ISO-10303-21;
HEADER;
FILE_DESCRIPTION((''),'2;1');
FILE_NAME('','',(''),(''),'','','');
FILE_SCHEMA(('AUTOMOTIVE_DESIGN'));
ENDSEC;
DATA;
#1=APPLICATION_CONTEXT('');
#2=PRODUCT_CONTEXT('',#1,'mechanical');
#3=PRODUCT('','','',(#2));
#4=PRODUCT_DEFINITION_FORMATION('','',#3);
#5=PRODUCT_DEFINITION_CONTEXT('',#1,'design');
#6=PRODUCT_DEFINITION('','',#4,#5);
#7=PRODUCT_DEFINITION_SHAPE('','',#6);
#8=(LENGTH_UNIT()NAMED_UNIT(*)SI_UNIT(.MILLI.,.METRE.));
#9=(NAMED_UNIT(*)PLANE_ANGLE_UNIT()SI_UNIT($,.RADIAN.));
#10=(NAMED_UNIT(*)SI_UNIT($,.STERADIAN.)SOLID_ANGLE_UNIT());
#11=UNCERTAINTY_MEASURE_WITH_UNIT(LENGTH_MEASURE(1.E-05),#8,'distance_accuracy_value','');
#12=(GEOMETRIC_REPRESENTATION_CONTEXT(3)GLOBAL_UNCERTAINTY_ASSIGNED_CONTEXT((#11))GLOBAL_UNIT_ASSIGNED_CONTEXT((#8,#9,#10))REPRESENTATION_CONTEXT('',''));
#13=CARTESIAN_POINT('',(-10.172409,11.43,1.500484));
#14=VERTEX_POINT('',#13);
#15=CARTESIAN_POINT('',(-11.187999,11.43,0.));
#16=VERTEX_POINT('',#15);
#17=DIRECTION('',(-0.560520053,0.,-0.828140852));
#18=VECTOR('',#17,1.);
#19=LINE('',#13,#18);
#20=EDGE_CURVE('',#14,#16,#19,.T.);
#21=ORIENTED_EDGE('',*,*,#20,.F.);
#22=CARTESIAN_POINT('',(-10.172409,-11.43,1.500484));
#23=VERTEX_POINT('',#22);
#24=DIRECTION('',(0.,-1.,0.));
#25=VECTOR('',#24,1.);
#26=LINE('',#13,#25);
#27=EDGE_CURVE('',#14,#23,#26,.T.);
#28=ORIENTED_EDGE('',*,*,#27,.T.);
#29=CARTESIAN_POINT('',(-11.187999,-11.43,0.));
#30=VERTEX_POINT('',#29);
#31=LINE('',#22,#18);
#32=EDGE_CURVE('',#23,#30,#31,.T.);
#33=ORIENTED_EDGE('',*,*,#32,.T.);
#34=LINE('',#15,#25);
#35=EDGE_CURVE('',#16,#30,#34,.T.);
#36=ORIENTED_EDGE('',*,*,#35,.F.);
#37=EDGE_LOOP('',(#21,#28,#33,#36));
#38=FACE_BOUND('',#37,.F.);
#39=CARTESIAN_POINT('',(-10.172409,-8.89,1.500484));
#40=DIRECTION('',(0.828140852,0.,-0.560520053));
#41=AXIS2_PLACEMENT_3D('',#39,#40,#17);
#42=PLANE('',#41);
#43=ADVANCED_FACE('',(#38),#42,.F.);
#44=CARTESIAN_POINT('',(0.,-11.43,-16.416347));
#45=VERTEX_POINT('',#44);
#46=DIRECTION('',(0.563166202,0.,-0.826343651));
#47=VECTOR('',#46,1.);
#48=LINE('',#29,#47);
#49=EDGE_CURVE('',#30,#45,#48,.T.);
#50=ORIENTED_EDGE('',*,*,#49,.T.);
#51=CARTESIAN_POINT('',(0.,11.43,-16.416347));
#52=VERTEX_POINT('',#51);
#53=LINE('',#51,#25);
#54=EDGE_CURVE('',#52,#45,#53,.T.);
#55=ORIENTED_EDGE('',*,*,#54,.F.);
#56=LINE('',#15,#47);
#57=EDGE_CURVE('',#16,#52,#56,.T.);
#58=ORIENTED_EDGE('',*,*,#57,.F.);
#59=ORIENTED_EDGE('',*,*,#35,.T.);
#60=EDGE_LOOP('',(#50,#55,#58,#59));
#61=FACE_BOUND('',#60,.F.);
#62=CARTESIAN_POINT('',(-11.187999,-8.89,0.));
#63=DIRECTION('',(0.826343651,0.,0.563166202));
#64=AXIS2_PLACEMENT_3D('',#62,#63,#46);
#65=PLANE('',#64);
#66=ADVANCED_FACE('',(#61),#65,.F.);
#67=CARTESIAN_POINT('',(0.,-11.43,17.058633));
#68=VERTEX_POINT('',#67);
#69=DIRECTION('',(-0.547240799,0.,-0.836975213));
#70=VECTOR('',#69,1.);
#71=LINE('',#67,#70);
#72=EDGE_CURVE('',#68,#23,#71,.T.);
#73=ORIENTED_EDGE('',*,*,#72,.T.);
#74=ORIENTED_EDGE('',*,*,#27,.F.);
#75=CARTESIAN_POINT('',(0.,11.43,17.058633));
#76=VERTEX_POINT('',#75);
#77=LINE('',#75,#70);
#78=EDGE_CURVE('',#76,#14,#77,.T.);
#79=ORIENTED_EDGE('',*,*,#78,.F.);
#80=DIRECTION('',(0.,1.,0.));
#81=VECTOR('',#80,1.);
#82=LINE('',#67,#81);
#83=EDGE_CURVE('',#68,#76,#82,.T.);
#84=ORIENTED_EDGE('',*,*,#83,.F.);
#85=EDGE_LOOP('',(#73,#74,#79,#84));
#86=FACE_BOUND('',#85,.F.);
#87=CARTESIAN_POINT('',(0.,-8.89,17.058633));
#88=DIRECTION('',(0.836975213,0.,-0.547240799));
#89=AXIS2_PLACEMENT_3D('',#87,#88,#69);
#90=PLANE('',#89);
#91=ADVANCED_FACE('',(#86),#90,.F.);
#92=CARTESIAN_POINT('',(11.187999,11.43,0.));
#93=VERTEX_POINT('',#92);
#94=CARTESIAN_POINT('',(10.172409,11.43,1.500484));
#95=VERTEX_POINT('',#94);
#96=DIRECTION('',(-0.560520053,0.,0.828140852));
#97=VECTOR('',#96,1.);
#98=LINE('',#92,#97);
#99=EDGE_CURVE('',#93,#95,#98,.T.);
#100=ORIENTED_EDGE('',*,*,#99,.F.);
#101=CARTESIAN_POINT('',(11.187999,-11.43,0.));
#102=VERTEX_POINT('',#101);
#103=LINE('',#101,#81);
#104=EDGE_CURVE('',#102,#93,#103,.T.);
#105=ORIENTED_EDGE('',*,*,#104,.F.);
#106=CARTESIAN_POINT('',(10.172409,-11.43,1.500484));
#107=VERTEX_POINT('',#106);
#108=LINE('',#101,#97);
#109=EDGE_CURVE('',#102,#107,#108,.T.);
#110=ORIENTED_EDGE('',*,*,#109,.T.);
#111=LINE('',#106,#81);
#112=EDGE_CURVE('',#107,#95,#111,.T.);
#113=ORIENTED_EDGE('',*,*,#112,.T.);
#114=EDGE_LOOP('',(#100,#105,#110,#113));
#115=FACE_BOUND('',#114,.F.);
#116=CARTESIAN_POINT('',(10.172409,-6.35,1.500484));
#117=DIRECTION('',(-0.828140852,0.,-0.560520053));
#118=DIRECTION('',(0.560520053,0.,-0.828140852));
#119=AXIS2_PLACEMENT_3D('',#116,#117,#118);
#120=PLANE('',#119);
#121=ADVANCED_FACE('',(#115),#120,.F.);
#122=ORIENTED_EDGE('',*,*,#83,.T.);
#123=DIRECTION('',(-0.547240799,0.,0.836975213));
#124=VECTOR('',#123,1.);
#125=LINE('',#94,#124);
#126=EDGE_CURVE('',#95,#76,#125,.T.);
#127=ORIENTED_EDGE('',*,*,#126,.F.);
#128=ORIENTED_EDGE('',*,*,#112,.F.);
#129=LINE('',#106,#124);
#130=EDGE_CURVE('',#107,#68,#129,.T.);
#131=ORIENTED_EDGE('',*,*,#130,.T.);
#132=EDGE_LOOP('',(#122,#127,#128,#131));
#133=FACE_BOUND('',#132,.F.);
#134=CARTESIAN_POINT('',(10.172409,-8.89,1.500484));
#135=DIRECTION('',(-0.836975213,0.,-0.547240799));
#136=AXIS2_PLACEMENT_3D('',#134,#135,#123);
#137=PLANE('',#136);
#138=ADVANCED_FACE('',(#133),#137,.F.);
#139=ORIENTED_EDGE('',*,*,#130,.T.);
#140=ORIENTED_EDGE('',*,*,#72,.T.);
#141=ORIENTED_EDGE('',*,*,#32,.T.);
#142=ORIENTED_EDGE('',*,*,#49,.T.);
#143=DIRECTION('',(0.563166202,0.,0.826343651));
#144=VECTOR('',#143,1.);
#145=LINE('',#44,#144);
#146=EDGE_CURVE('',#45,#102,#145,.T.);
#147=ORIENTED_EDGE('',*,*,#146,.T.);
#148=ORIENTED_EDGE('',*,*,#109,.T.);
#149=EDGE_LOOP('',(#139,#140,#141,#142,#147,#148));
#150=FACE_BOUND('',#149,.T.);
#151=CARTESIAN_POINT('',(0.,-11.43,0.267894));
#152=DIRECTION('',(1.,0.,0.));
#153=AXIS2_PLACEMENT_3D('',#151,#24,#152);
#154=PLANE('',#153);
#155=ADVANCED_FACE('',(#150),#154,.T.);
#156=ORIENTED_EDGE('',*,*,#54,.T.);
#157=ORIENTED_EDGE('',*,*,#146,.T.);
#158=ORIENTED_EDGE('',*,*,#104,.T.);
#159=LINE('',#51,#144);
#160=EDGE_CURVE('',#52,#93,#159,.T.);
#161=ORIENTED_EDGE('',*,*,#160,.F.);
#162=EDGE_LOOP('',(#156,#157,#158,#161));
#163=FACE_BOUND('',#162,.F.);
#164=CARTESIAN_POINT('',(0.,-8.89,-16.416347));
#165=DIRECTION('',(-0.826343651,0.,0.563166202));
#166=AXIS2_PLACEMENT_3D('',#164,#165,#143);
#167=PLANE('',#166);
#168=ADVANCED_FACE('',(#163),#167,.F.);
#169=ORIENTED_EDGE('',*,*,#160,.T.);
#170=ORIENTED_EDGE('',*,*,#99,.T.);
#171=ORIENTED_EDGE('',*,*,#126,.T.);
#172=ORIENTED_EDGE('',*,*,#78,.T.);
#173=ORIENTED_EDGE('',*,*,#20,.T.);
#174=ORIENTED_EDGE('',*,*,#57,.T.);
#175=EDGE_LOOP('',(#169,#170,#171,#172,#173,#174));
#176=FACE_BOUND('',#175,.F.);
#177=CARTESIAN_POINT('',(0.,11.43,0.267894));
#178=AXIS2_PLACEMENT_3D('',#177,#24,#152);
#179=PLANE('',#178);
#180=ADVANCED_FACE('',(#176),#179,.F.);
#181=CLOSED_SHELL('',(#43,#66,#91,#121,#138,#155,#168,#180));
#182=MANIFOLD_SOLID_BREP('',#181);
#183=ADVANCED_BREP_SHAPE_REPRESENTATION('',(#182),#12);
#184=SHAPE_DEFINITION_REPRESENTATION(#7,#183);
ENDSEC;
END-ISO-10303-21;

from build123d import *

# Parameters (mm, degrees)
F1_DEPTH  = 6.35
F2_DEPTH  = 6.35
F4_DEPTH  = 2.54
F5_DEPTH  = 17.78
F8_DEPTH  = 2.54
F9_DEPTH  = 22.86
F10_DEPTH = 25.4
F11_DEPTH = 25.4


with BuildPart() as f1:
    # F0 (on Front) → F1 (new body)
    with BuildSketch(Plane.XZ):
        with BuildLine():
            add(Edge.make_bspline(
                [(-6.31646486, -27.194801718), (-9.1682856642, -24.4888721836), (-15.01463102, -18.9416096965), (-26.1820827955, -11.5743265752), (-33.6944043342, -9.1980832111), (-37.3292528093, -8.048334159)],
                knots=[0, 0, 0, 0, 0.3295571506, 0.6756051833, 1, 1, 1, 1], degree=3))
            Line((-6.31646486, -27.194801718), (0, -29.8242773861))
            Line((0, -29.8242773861), (6.31646486, -27.194801718))
            add(Edge.make_bspline(
                [(6.31646486, -27.194801718), (9.1682856642, -24.4888721836), (15.01463102, -18.9416096965), (26.1820827955, -11.5743265752), (33.6944043342, -9.1980832111), (37.3292528093, -8.048334159)],
                knots=[0, 0, 0, 0, 0.3295571506, 0.6756051833, 1, 1, 1, 1], degree=3))
            Line((37.3292528093, -8.048334159), (37.3292528093, -3.7900002208))
            add(Edge.make_bspline(
                [(37.3292528093, -3.7900002208), (38.0491431813, -3.543982173), (39.5145632284, -3.0431840055), (42.5984180868, -2.1192699685), (42.5169275679, -2.0102551614), (42.508341372, -1.9987688866)],
                knots=[0, 0, 0, 0, 0.4634814578, 0.94347007, 1, 1, 1, 1], degree=3))
            add(Edge.make_bspline(
                [(42.508341372, -1.9987688866), (40.4226176054, -0.0574224426), (36.0974058378, 3.9683908595), (33.1087810716, 9.8160060059), (31.561344862, 12.8437569365)],
                knots=[0, 0, 0, 0, 0.4822246583, 1, 1, 1, 1], degree=3))
            add(Edge.make_bspline(
                [(31.561344862, 12.8437569365), (30.594199091, 12.4764083462), (28.7192506637, 11.7642513143), (27.1772169029, 10.7890902407), (26.4306031168, 10.3169418871)],
                knots=[0, 0, 0, 0, 0.5158252658, 1, 1, 1, 1], degree=3))
            Line((26.4306031168, 10.3169418871), (23.9546149969, 12.8437569365))
            add(Edge.make_bspline(
                [(23.9546149969, 12.8437569365), (21.8130862803, 11.5707804719), (17.2050472404, 8.8316506157), (12.6243071994, 4.0564626093), (10.1724090055, 1.5004837187)],
                knots=[0, 0, 0, 0, 0.4647375376, 1, 1, 1, 1], degree=3))
            Line((10.1724090055, 1.5004837187), (0, 17.0586332679))
            Line((0, 17.0586332679), (-10.1724090055, 1.5004837187))
            add(Edge.make_bspline(
                [(-23.9546149969, 12.8437569365), (-21.8130862803, 11.5707804719), (-17.2050472404, 8.8316506157), (-12.6243071994, 4.0564626093), (-10.1724090055, 1.5004837187)],
                knots=[0, 0, 0, 0, 0.4647375376, 1, 1, 1, 1], degree=3))
            Line((-23.9546149969, 12.8437569365), (-26.4306031168, 10.3169418871))
            add(Edge.make_bspline(
                [(-31.561344862, 12.8437569365), (-30.594199091, 12.4764083462), (-28.7192506637, 11.7642513143), (-27.1772169029, 10.7890902407), (-26.4306031168, 10.3169418871)],
                knots=[0, 0, 0, 0, 0.5158252658, 1, 1, 1, 1], degree=3))
            add(Edge.make_bspline(
                [(-42.508341372, -1.9987688866), (-40.4226176054, -0.0574224426), (-36.0974058378, 3.9683908595), (-33.1087810716, 9.8160060059), (-31.561344862, 12.8437569365)],
                knots=[0, 0, 0, 0, 0.4822246583, 1, 1, 1, 1], degree=3))
            add(Edge.make_bspline(
                [(-37.3292528093, -3.7900002208), (-38.0491431813, -3.543982173), (-39.5145632284, -3.0431840055), (-42.5984180868, -2.1192699685), (-42.5169275679, -2.0102551614), (-42.508341372, -1.9987688866)],
                knots=[0, 0, 0, 0, 0.4634814578, 0.94347007, 1, 1, 1, 1], degree=3))
            Line((-37.3292528093, -3.7900002208), (-37.3292528093, -8.048334159))
        make_face()
    extrude(amount=F1_DEPTH)


with BuildPart() as f1b:
    # F0 (on Front) → F1, piece 2 (new body)
    with BuildSketch(Plane.XZ):
        with BuildLine():
            add(Edge.make_bspline(
                [(-18.6576042324, -145.0307071209), (-16.4470923737, -143.6168373627), (-11.8703765425, -140.6895153127), (-8.9461028405, -135.445167753), (-7.4342265725, -132.7337920666)],
                knots=[0, 0, 0, 0, 0.4829908476, 1, 1, 1, 1], degree=3))
            Line((-18.6576042324, -145.0307071209), (-18.2394590229, -148.4000682831))
            Line((-18.2394590229, -148.4000682831), (-10.7216006145, -152.8928130865))
            Line((-10.7216006145, -152.8928130865), (-8.8469898328, -151.1953920126))
            add(Edge.make_bspline(
                [(0, -156.4966738224), (-1.9608597417, -156.2050199351), (-5.7919516765, -155.6351918991), (-7.8448312846, -152.6518004701), (-8.8469898328, -151.1953920126)],
                knots=[0, 0, 0, 0, 0.5118279005, 1, 1, 1, 1], degree=3))
            add(Edge.make_bspline(
                [(0, -156.4966738224), (1.9608597417, -156.2050199351), (5.7919516765, -155.6351918991), (7.8448312846, -152.6518004701), (8.8469898328, -151.1953920126)],
                knots=[0, 0, 0, 0, 0.5118279005, 1, 1, 1, 1], degree=3))
            Line((8.8469898328, -151.1953920126), (10.7216006145, -152.8928130865))
            Line((10.7216006145, -152.8928130865), (18.2394590229, -148.4000682831))
            Line((18.2394590229, -148.4000682831), (18.6576042324, -145.0307071209))
            add(Edge.make_bspline(
                [(18.6576042324, -145.0307071209), (16.4470923737, -143.6168373627), (11.8703765425, -140.6895153127), (8.9461028405, -135.445167753), (7.4342265725, -132.7337920666)],
                knots=[0, 0, 0, 0, 0.4829908476, 1, 1, 1, 1], degree=3))
            Line((7.4342265725, -132.7337920666), (4.541859962, -130.4135769606))
            Line((4.541859962, -130.4135769606), (0, -130.4135769606))
            Line((0, -130.4135769606), (-4.541859962, -130.4135769606))
            Line((-4.541859962, -130.4135769606), (-7.4342265725, -132.7337920666))
        make_face()
    extrude(amount=F1_DEPTH)


with BuildPart() as f2:
    # F2 (new): a face of the model
    f2_faces = [f1.part.faces().sort_by_distance(p)[0] for p in [
        (0, 0, -5.0344679509),
    ]]
    extrude(f2_faces, amount=F2_DEPTH)


with BuildPart() as f2b:
    # F2#2 (new): a face of the model
    f2_2_faces = [f1b.part.faces().sort_by_distance(p)[0] for p in [
        (0, 0, -143.933409026),
    ]]
    extrude(f2_2_faces, amount=F2_DEPTH)


with BuildPart() as f1_1:
    add(f1.part)

    # F3 (on face) → F4 (join)
    with BuildSketch(Plane.XZ.offset(6.35)):
        with BuildLine():
            add(Edge.make_bspline(
                [(-26.4306031168, 10.3169418871), (-24.53023826, 9.3652181787), (-20.7503784131, 7.4722226216), (-15.975023215, 4.0917823159), (-12.273195981, 0.9667185074), (-11.187998578, 0)],
                knots=[0, 0, 0, 0, 0.2852309457, 0.5673294761, 0.8466572413, 0.8466572413, 0.8466572413, 0.8466572413], degree=3))
            add(Edge.make_bspline(
                [(-31.561344862, 12.8437569365), (-30.594199091, 12.4764083462), (-28.7192506637, 11.7642513143), (-27.1772169029, 10.7890902407), (-26.4306031168, 10.3169418871)],
                knots=[0, 0, 0, 0, 0.5158252658, 1, 1, 1, 1], degree=3))
            add(Edge.make_bspline(
                [(-42.508341372, -1.9987688866), (-40.4226176054, -0.0574224426), (-36.0974058378, 3.9683908595), (-33.1087810716, 9.8160060059), (-31.561344862, 12.8437569365)],
                knots=[0, 0, 0, 0, 0.4822246583, 1, 1, 1, 1], degree=3))
            add(Edge.make_bspline(
                [(-37.3292528093, -3.7900002208), (-38.0491431813, -3.543982173), (-39.5145632284, -3.0431840055), (-42.5984180868, -2.1192699685), (-42.5169275679, -2.0102551614), (-42.508341372, -1.9987688866)],
                knots=[0, 0, 0, 0, 0.4634814578, 0.94347007, 1, 1, 1, 1], degree=3))
            Line((-37.3292528093, -3.7900002208), (-37.3292528093, -8.048334159))
            add(Edge.make_bspline(
                [(-6.31646486, -27.194801718), (-9.1682856642, -24.4888721836), (-15.01463102, -18.9416096965), (-26.1820827955, -11.5743265752), (-33.6944043342, -9.1980832111), (-37.3292528093, -8.048334159)],
                knots=[0, 0, 0, 0, 0.3295571506, 0.6756051833, 1, 1, 1, 1], degree=3))
            Line((-6.31646486, -27.194801718), (0, -29.8242773861))
            Line((0, -29.8242773861), (6.31646486, -27.194801718))
            add(Edge.make_bspline(
                [(6.31646486, -27.194801718), (9.1682856642, -24.4888721836), (15.01463102, -18.9416096965), (26.1820827955, -11.5743265752), (33.6944043342, -9.1980832111), (37.3292528093, -8.048334159)],
                knots=[0, 0, 0, 0, 0.3295571506, 0.6756051833, 1, 1, 1, 1], degree=3))
            Line((37.3292528093, -8.048334159), (37.3292528093, -3.7900002208))
            add(Edge.make_bspline(
                [(37.3292528093, -3.7900002208), (38.0491431813, -3.543982173), (39.5145632284, -3.0431840055), (42.5984180868, -2.1192699685), (42.5169275679, -2.0102551614), (42.508341372, -1.9987688866)],
                knots=[0, 0, 0, 0, 0.4634814578, 0.94347007, 1, 1, 1, 1], degree=3))
            add(Edge.make_bspline(
                [(42.508341372, -1.9987688866), (40.4226176054, -0.0574224426), (36.0974058378, 3.9683908595), (33.1087810716, 9.8160060059), (31.561344862, 12.8437569365)],
                knots=[0, 0, 0, 0, 0.4822246583, 1, 1, 1, 1], degree=3))
            add(Edge.make_bspline(
                [(31.561344862, 12.8437569365), (30.594199091, 12.4764083462), (28.7192506637, 11.7642513143), (27.1772169029, 10.7890902407), (26.4306031168, 10.3169418871)],
                knots=[0, 0, 0, 0, 0.5158252658, 1, 1, 1, 1], degree=3))
            add(Edge.make_bspline(
                [(26.4306031168, 10.3169418871), (24.53023826, 9.3652181787), (20.7503784131, 7.4722226216), (15.975023215, 4.0917823159), (12.273195981, 0.9667185074), (11.187998578, 0)],
                knots=[0, 0, 0, 0, 0.2852309457, 0.5673294761, 0.8466572413, 0.8466572413, 0.8466572413, 0.8466572413], degree=3))
            add(Edge.make_bspline(
                [(11.187998578, 0), (10.5922570002, -0.5307001355), (10.2245255149, -0.8841646749), (9.8567940295, -1.2376292143)],
                knots=[0.8466572413, 0.8466572413, 0.8466572413, 0.8466572413, 1, 1, 1, 1], degree=3))
            Line((9.8567940295, -1.2376292143), (0, -16.4558514953))
            Line((0, -16.4558514953), (-9.8567940295, -1.2376292143))
            add(Edge.make_bspline(
                [(-11.187998578, 0), (-10.5922570002, -0.5307001355), (-10.2245255149, -0.8841646749), (-9.8567940295, -1.2376292143)],
                knots=[0.8466572413, 0.8466572413, 0.8466572413, 0.8466572413, 1, 1, 1, 1], degree=3))
        make_face()
        with BuildLine():
            Line((-10.1724090055, 1.5004837187), (-11.187998578, 0))
            add(Edge.make_bspline(
                [(-11.187998578, 0), (-10.5922570002, -0.5307001355), (-10.2245255149, -0.8841646749), (-9.8567940295, -1.2376292143)],
                knots=[0.8466572413, 0.8466572413, 0.8466572413, 0.8466572413, 1, 1, 1, 1], degree=3))
            Line((-9.8567940295, -1.2376292143), (0, -16.4558514953))
            Line((0, -16.4558514953), (9.8567940295, -1.2376292143))
            add(Edge.make_bspline(
                [(11.187998578, 0), (10.5922570002, -0.5307001355), (10.2245255149, -0.8841646749), (9.8567940295, -1.2376292143)],
                knots=[0.8466572413, 0.8466572413, 0.8466572413, 0.8466572413, 1, 1, 1, 1], degree=3))
            Line((11.187998578, 0), (10.1724090055, 1.5004837187))
            Line((10.1724090055, 1.5004837187), (0, 17.0586332679))
            Line((0, 17.0586332679), (-10.1724090055, 1.5004837187))
        make_face()
    extrude(amount=F4_DEPTH)


with BuildPart() as f5:
    # F5 (new): a face of the model
    f5_faces = [f1_1.part.faces().sort_by_distance(p)[0] for p in [
        (0, -8.89, -5.6400298016),
    ]]
    extrude(f5_faces, amount=-F5_DEPTH)


with BuildPart() as f1_2:
    add(f1_1.part)

    add(f5.part)  # F8 merges F5
    # F6 (on face) → F8 (join)
    with BuildSketch(Plane.XZ.offset(8.89)):
        Polygon((-10.1724090055, 1.5004837187), (-11.187998578, 0), (0, -16.4163466543), (11.187998578, 0), (10.1724090055, 1.5004837187), (0, 17.0586332679), align=None)
    extrude(amount=F8_DEPTH)

    # F9 (add): a face of the model
    f9_faces = [f1_2.faces().sort_by_distance(p)[0] for p in [
        (0, -11.43, 0.2055173709),
    ]]

    add(f2.part)  # F9 merges F2
    extrude(f9_faces, amount=-F9_DEPTH)

    # F7 (on face) + F4_face1 (on face) → F10 (cut)
    with BuildSketch(Plane.XZ.offset(8.89)):
        with BuildLine():
            Line((11.187998578, 0), (0, -16.4163466543))
            Line((0, -16.4163466543), (-11.187998578, 0))
            add(Edge.make_bspline(
                [(-26.4306031168, 10.3169418871), (-24.53023826, 9.3652181787), (-20.7503784131, 7.4722226216), (-15.975023215, 4.0917823159), (-12.273195981, 0.9667185074), (-11.187998578, 0)],
                knots=[0, 0, 0, 0, 0.2852309457, 0.5673294761, 0.8466572413, 0.8466572413, 0.8466572413, 0.8466572413], degree=3))
            add(Edge.make_bspline(
                [(-31.561344862, 12.8437569365), (-30.594199091, 12.4764083462), (-28.7192506637, 11.7642513143), (-27.1772169029, 10.7890902407), (-26.4306031168, 10.3169418871)],
                knots=[0, 0, 0, 0, 0.5158252658, 1, 1, 1, 1], degree=3))
            add(Edge.make_bspline(
                [(-42.508341372, -1.9987688866), (-40.4226176054, -0.0574224426), (-36.0974058378, 3.9683908595), (-33.1087810716, 9.8160060059), (-31.561344862, 12.8437569365)],
                knots=[0, 0, 0, 0, 0.4822246583, 1, 1, 1, 1], degree=3))
            add(Edge.make_bspline(
                [(-37.3292528093, -3.7900002208), (-38.0491431813, -3.543982173), (-39.5145632284, -3.0431840055), (-42.5984180868, -2.1192699685), (-42.5169275679, -2.0102551614), (-42.508341372, -1.9987688866)],
                knots=[0, 0, 0, 0, 0.4634814578, 0.94347007, 1, 1, 1, 1], degree=3))
            Line((-37.3292528093, -3.7900002208), (-37.3292528093, -8.048334159))
            add(Edge.make_bspline(
                [(-6.31646486, -27.194801718), (-9.1682856642, -24.4888721836), (-15.01463102, -18.9416096965), (-26.1820827955, -11.5743265752), (-33.6944043342, -9.1980832111), (-37.3292528093, -8.048334159)],
                knots=[0, 0, 0, 0, 0.3295571506, 0.6756051833, 1, 1, 1, 1], degree=3))
            Line((-6.31646486, -27.194801718), (0, -29.8242773861))
            Line((0, -29.8242773861), (6.31646486, -27.194801718))
            add(Edge.make_bspline(
                [(6.31646486, -27.194801718), (9.1682856642, -24.4888721836), (15.01463102, -18.9416096965), (26.1820827955, -11.5743265752), (33.6944043342, -9.1980832111), (37.3292528093, -8.048334159)],
                knots=[0, 0, 0, 0, 0.3295571506, 0.6756051833, 1, 1, 1, 1], degree=3))
            Line((37.3292528093, -8.048334159), (37.3292528093, -3.7900002208))
            add(Edge.make_bspline(
                [(37.3292528093, -3.7900002208), (38.0491431813, -3.543982173), (39.5145632284, -3.0431840055), (42.5984180868, -2.1192699685), (42.5169275679, -2.0102551614), (42.508341372, -1.9987688866)],
                knots=[0, 0, 0, 0, 0.4634814578, 0.94347007, 1, 1, 1, 1], degree=3))
            add(Edge.make_bspline(
                [(42.508341372, -1.9987688866), (40.4226176054, -0.0574224426), (36.0974058378, 3.9683908595), (33.1087810716, 9.8160060059), (31.561344862, 12.8437569365)],
                knots=[0, 0, 0, 0, 0.4822246583, 1, 1, 1, 1], degree=3))
            add(Edge.make_bspline(
                [(31.561344862, 12.8437569365), (30.594199091, 12.4764083462), (28.7192506637, 11.7642513143), (27.1772169029, 10.7890902407), (26.4306031168, 10.3169418871)],
                knots=[0, 0, 0, 0, 0.5158252658, 1, 1, 1, 1], degree=3))
            add(Edge.make_bspline(
                [(26.4306031168, 10.3169418871), (24.53023826, 9.3652181787), (20.7503784131, 7.4722226216), (15.975023215, 4.0917823159), (12.273195981, 0.9667185074), (11.187998578, 0)],
                knots=[0, 0, 0, 0, 0.2852309457, 0.5673294761, 0.8466572413, 0.8466572413, 0.8466572413, 0.8466572413], degree=3))
        make_face()
    with BuildSketch(Plane(origin=(-18.4067170544, -6.35, 7.1196103379), x_dir=(1, 0, 0), z_dir=(0, -1, 0))):
        with BuildLine():
            add(Edge.make_bspline(
                [(-8.0238860624, 3.1973315493), (-6.1235212057, 2.2456078409), (-2.3436613587, 0.3526122837), (2.4316938393, -3.027828022), (6.1335210734, -6.1528918305), (7.2187184764, -7.1196103379)],
                knots=[0, 0, 0, 0, 0.2852309457, 0.5673294761, 0.8466572413, 0.8466572413, 0.8466572413, 0.8466572413], degree=3))
            Line((7.2187184764, -7.1196103379), (8.2343080489, -5.6191266192))
            add(Edge.make_bspline(
                [(-5.5478979425, 5.7241465986), (-3.4063692259, 4.4511701341), (1.201669814, 1.7120402779), (5.782409855, -3.0631477285), (8.2343080489, -5.6191266192)],
                knots=[0, 0, 0, 0, 0.4647375376, 1, 1, 1, 1], degree=3))
            Line((-5.5478979425, 5.7241465986), (-8.0238860624, 3.1973315493))
        make_face()
        with BuildLine():
            Line((44.8373201711, 3.1973315493), (42.3613320513, 5.7241465986))
            add(Edge.make_bspline(
                [(42.3613320513, 5.7241465986), (40.2198033346, 4.4511701341), (35.6117642948, 1.7120402779), (31.0310242537, -3.0631477285), (28.5791260598, -5.6191266192)],
                knots=[0, 0, 0, 0, 0.4647375376, 1, 1, 1, 1], degree=3))
            Line((28.5791260598, -5.6191266192), (29.5947156323, -7.1196103379))
            add(Edge.make_bspline(
                [(44.8373201711, 3.1973315493), (42.9369553144, 2.2456078409), (39.1570954675, 0.3526122837), (34.3817402694, -3.027828022), (30.6799130354, -6.1528918305), (29.5947156323, -7.1196103379)],
                knots=[0, 0, 0, 0, 0.2852309457, 0.5673294761, 0.8466572413, 0.8466572413, 0.8466572413, 0.8466572413], degree=3))
        make_face()
    extrude(amount=-F10_DEPTH, mode=Mode.SUBTRACT)


with BuildPart() as f11_tool:
    # F11 (cut): a face of the model
    f11_faces = [f1b.part.faces().sort_by_distance(p)[0] for p in [
        (0, -6.35, -143.933409026),
    ]]
    extrude(f11_faces, amount=-F11_DEPTH)


with BuildPart() as f1b_1:
    add(f1b.part)

    # F11: cut by f11_tool
    add(f11_tool.part, mode=Mode.SUBTRACT)


with BuildPart() as f2b_1:
    add(f2b.part)

    # F11: cut by f11_tool
    add(f11_tool.part, mode=Mode.SUBTRACT)


solid = f1_2.part
